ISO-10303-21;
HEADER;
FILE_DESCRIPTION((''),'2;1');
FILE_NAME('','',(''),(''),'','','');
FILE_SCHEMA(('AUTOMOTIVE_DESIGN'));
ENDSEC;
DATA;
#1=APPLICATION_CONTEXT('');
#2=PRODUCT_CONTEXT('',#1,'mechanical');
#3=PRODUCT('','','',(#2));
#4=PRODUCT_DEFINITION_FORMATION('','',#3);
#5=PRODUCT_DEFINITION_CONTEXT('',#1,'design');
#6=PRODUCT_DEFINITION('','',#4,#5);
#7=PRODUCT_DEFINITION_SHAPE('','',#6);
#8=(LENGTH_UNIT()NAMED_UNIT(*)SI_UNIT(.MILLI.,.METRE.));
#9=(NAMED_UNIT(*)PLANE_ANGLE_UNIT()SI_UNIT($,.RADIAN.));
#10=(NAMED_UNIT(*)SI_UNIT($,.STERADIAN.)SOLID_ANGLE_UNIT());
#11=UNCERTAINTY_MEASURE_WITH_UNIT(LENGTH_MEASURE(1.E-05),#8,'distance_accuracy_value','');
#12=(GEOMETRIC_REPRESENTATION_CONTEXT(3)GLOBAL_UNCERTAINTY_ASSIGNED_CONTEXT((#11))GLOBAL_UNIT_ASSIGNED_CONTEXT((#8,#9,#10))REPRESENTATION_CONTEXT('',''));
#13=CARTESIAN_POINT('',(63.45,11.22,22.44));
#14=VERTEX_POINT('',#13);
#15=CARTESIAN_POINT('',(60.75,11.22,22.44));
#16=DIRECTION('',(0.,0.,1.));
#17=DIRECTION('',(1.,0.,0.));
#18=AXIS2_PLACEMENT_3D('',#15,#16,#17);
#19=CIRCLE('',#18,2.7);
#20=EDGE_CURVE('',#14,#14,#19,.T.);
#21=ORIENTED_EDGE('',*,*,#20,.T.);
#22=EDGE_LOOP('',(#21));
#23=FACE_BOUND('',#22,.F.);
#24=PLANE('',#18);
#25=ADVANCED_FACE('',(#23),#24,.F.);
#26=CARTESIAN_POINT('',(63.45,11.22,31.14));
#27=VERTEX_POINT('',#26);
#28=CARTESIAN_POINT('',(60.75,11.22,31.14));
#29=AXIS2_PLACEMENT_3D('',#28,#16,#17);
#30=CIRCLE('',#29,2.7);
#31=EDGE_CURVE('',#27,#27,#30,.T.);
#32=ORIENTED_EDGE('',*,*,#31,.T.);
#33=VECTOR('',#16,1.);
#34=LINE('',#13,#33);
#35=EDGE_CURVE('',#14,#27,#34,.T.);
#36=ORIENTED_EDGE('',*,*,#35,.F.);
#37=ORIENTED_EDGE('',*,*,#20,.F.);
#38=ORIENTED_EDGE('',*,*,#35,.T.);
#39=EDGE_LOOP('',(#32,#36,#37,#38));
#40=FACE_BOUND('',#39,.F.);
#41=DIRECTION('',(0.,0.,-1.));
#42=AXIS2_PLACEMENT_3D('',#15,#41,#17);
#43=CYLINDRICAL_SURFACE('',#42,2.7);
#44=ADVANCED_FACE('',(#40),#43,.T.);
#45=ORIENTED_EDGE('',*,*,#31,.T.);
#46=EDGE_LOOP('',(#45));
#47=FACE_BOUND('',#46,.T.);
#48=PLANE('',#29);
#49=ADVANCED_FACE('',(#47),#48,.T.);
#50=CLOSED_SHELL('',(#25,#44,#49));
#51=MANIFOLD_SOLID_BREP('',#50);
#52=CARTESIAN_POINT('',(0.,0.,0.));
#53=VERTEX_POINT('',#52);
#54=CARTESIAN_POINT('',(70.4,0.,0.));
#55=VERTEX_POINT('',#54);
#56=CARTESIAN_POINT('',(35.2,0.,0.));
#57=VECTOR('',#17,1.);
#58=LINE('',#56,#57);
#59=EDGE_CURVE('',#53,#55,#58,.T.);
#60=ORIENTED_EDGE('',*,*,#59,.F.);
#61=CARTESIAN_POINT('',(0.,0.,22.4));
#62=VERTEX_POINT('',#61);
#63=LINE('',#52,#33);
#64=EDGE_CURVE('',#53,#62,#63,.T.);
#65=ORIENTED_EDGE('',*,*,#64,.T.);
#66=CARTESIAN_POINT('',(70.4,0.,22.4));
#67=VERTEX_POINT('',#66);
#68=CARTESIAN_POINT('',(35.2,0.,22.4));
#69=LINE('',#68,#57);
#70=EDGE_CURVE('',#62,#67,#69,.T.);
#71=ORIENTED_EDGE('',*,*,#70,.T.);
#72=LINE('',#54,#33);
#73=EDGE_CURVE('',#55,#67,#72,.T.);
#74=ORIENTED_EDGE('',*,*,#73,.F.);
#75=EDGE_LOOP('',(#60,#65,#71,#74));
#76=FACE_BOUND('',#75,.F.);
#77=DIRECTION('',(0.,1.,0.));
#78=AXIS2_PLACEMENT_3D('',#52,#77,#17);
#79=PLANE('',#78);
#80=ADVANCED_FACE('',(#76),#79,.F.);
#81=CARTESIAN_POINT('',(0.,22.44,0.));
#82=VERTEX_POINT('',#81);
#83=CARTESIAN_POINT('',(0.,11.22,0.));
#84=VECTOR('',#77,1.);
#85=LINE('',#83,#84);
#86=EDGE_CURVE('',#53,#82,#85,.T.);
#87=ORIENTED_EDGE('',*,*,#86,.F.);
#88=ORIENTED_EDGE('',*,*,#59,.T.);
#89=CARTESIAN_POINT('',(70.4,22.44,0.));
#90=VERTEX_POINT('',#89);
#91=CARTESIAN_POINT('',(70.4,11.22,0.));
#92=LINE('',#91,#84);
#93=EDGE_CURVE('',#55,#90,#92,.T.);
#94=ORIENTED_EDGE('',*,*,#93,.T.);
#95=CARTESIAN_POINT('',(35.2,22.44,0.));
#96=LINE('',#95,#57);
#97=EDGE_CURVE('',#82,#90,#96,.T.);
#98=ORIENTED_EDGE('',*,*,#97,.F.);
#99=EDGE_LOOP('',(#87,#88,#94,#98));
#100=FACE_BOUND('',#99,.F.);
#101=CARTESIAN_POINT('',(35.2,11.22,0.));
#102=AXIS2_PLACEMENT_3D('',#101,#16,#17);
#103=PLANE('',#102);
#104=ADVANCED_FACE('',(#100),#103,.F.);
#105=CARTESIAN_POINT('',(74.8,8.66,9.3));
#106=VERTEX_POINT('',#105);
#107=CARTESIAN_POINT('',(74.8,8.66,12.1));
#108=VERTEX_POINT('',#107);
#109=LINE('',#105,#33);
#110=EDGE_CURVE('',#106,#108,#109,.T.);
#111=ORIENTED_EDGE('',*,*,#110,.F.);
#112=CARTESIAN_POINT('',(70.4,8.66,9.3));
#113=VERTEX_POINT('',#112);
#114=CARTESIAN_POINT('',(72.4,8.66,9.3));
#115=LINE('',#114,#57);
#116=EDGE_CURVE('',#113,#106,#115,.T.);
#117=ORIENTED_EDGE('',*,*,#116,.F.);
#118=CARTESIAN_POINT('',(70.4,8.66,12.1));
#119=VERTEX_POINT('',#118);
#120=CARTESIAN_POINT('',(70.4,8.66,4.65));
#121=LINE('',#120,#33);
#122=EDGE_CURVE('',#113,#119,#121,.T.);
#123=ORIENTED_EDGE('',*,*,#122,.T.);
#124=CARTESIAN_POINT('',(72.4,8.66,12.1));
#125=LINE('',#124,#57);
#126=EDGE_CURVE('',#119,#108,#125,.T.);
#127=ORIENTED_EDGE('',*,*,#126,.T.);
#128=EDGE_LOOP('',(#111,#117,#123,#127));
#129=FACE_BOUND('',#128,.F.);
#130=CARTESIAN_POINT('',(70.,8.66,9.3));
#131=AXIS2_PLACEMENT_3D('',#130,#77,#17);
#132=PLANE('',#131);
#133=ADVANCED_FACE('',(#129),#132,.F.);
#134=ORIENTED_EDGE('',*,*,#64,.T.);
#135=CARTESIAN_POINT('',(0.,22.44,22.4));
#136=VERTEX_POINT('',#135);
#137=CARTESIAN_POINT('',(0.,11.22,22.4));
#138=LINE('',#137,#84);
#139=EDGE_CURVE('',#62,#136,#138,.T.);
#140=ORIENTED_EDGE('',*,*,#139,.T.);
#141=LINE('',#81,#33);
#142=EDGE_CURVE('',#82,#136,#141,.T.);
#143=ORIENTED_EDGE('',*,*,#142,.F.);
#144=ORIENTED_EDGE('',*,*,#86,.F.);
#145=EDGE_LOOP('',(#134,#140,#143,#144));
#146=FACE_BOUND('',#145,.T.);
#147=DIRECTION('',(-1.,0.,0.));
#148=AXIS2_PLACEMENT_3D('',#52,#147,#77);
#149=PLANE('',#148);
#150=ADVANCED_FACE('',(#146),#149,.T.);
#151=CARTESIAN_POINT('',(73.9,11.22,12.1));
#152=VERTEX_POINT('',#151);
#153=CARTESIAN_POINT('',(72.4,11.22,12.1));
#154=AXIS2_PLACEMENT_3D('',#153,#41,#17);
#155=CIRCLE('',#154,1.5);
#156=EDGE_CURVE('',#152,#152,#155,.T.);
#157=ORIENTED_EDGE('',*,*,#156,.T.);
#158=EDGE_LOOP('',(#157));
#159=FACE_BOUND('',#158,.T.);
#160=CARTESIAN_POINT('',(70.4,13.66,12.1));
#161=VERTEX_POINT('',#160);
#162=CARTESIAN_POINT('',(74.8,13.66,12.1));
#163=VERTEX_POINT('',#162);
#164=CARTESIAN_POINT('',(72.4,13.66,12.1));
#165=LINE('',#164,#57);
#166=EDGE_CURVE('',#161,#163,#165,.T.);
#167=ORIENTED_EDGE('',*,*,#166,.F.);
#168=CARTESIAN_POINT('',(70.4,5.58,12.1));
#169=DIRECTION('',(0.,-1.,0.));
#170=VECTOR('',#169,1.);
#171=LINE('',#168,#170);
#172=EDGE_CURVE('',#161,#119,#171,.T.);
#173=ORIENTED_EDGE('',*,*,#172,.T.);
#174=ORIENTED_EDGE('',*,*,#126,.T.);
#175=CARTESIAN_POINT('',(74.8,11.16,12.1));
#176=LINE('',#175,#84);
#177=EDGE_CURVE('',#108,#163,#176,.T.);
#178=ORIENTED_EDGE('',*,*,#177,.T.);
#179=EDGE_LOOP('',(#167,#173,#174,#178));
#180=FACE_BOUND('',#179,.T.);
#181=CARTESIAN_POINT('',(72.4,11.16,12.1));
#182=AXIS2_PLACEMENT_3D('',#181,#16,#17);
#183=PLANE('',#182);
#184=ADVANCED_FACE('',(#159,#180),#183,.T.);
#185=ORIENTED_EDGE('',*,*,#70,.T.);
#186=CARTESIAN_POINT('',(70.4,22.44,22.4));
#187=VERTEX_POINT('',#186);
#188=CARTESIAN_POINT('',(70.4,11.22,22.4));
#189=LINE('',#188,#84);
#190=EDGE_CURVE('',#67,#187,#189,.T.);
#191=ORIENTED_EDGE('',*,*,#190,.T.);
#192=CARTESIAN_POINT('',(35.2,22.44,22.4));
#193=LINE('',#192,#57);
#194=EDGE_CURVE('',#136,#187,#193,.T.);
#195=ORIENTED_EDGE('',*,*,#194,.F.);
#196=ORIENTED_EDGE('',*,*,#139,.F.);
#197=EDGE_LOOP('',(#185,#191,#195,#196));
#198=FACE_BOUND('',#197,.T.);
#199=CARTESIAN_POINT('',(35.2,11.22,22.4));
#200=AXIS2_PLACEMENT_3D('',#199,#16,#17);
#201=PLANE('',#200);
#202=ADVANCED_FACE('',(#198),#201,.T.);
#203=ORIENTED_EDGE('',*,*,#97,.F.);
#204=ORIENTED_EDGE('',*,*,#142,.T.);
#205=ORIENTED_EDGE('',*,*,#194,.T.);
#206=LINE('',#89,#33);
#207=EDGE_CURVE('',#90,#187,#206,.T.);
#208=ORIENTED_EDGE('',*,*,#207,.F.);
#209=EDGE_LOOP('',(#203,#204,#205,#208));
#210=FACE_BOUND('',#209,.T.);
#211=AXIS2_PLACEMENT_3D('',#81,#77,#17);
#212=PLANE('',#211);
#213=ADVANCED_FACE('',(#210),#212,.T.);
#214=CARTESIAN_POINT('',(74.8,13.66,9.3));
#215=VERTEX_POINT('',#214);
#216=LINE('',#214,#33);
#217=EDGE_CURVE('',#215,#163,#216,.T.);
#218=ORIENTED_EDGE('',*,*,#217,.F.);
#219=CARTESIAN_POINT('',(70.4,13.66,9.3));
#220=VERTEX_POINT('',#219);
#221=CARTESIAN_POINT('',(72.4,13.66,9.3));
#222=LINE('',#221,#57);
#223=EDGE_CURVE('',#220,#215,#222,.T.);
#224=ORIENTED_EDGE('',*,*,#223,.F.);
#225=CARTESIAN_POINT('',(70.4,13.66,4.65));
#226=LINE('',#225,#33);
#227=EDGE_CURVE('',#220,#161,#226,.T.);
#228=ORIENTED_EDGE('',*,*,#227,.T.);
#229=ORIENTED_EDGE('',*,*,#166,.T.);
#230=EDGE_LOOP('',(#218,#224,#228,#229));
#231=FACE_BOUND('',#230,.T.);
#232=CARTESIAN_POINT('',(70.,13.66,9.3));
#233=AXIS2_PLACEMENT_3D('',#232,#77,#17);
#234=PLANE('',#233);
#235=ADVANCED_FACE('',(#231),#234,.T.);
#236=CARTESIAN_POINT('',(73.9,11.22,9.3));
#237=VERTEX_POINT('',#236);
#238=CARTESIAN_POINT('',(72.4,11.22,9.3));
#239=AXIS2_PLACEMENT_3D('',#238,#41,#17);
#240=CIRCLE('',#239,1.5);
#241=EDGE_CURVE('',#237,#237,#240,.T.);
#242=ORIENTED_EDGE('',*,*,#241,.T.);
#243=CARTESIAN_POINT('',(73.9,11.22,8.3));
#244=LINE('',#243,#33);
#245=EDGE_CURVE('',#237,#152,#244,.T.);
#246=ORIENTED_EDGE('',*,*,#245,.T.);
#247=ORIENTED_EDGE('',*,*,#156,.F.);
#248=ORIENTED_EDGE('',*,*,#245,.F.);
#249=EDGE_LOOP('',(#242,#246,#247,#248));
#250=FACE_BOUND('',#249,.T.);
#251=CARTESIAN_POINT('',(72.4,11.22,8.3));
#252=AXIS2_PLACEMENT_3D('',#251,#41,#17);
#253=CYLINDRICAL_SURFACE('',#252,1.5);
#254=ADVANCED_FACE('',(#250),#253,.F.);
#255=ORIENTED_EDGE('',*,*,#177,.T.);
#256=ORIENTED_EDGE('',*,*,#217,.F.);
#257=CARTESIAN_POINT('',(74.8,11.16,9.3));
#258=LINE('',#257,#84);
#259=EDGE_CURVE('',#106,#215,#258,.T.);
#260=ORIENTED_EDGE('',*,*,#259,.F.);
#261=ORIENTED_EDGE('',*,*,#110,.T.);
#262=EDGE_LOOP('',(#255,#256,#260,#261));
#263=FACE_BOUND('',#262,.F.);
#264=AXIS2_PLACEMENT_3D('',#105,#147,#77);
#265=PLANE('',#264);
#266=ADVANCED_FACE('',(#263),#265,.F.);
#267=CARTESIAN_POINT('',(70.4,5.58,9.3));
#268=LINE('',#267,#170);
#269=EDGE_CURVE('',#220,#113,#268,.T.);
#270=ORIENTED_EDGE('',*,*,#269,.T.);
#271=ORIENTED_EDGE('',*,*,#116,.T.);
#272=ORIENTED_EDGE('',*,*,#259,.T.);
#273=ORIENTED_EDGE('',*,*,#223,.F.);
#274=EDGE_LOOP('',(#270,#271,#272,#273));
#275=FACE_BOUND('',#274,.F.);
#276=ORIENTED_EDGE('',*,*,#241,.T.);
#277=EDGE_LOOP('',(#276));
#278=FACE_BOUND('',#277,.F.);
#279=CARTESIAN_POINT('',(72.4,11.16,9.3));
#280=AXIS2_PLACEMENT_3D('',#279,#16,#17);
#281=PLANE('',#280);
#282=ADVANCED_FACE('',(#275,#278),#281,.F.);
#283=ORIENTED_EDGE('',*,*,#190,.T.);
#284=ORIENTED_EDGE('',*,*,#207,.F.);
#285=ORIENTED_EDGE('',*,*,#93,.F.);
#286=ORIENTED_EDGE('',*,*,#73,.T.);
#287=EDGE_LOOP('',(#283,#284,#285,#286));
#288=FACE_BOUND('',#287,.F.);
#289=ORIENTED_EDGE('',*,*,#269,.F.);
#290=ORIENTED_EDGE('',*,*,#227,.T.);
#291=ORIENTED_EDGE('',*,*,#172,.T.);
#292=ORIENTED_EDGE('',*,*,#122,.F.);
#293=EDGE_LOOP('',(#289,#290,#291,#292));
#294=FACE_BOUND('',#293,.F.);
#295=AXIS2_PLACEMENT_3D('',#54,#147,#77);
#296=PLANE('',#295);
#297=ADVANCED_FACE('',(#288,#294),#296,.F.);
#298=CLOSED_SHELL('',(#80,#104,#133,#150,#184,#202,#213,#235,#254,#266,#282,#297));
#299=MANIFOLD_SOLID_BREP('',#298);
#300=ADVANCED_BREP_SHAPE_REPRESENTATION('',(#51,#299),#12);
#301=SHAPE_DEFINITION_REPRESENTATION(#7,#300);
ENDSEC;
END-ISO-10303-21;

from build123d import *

# Parameters (mm, degrees)
BOX_W             = 70.4
BOX_H             = 22.44
BOX_DEPTH         = 22.4
CYLINDER_R        = 1.5
CYLINDER_DEPTH    = 10
BOX001_W          = 4.8
BOX001_H          = 5
BOX001_DEPTH      = 2.8
CYLINDER001_R     = 2.7
CYLINDER001_DEPTH = 8.7


with BuildPart() as base:
    # Box → Box (new body)
    with BuildSketch(Plane.XY):
        with Locations((35.2, 11.22)):
            Rectangle(BOX_W, BOX_H)
    extrude(amount=BOX_DEPTH)


with BuildPart() as cylinder:
    # Cylinder → Cylinder (new body)
    with BuildSketch(Plane(origin=(72.4, 11.22, 8.3), x_dir=(1, 0, 0), z_dir=(0, 0, 1))):
        Circle(CYLINDER_R)
    extrude(amount=CYLINDER_DEPTH)


with BuildPart() as fusion:
    # Box001 → Box001 (new body)
    with BuildSketch(Plane(origin=(70, 8.66, 9.3), x_dir=(1, 0, 0), z_dir=(0, 0, 1))):
        with Locations((2.4, 2.5)):
            Rectangle(BOX001_W, BOX001_H)
    extrude(amount=BOX001_DEPTH)

    # Cut: cut Cylinder
    add(cylinder.part, mode=Mode.SUBTRACT)

    # Fusion: union Base
    add(base.part)


with BuildPart() as fusion001:
    # Cylinder001 → Cylinder001 (new body)
    with BuildSketch(Plane(origin=(60.75, 11.22, 22.44), x_dir=(1, 0, 0), z_dir=(0, 0, 1))):
        Circle(CYLINDER001_R)
    extrude(amount=CYLINDER001_DEPTH)

    # Fusion001: union Fusion
    add(fusion.part)


solid = fusion001.part
